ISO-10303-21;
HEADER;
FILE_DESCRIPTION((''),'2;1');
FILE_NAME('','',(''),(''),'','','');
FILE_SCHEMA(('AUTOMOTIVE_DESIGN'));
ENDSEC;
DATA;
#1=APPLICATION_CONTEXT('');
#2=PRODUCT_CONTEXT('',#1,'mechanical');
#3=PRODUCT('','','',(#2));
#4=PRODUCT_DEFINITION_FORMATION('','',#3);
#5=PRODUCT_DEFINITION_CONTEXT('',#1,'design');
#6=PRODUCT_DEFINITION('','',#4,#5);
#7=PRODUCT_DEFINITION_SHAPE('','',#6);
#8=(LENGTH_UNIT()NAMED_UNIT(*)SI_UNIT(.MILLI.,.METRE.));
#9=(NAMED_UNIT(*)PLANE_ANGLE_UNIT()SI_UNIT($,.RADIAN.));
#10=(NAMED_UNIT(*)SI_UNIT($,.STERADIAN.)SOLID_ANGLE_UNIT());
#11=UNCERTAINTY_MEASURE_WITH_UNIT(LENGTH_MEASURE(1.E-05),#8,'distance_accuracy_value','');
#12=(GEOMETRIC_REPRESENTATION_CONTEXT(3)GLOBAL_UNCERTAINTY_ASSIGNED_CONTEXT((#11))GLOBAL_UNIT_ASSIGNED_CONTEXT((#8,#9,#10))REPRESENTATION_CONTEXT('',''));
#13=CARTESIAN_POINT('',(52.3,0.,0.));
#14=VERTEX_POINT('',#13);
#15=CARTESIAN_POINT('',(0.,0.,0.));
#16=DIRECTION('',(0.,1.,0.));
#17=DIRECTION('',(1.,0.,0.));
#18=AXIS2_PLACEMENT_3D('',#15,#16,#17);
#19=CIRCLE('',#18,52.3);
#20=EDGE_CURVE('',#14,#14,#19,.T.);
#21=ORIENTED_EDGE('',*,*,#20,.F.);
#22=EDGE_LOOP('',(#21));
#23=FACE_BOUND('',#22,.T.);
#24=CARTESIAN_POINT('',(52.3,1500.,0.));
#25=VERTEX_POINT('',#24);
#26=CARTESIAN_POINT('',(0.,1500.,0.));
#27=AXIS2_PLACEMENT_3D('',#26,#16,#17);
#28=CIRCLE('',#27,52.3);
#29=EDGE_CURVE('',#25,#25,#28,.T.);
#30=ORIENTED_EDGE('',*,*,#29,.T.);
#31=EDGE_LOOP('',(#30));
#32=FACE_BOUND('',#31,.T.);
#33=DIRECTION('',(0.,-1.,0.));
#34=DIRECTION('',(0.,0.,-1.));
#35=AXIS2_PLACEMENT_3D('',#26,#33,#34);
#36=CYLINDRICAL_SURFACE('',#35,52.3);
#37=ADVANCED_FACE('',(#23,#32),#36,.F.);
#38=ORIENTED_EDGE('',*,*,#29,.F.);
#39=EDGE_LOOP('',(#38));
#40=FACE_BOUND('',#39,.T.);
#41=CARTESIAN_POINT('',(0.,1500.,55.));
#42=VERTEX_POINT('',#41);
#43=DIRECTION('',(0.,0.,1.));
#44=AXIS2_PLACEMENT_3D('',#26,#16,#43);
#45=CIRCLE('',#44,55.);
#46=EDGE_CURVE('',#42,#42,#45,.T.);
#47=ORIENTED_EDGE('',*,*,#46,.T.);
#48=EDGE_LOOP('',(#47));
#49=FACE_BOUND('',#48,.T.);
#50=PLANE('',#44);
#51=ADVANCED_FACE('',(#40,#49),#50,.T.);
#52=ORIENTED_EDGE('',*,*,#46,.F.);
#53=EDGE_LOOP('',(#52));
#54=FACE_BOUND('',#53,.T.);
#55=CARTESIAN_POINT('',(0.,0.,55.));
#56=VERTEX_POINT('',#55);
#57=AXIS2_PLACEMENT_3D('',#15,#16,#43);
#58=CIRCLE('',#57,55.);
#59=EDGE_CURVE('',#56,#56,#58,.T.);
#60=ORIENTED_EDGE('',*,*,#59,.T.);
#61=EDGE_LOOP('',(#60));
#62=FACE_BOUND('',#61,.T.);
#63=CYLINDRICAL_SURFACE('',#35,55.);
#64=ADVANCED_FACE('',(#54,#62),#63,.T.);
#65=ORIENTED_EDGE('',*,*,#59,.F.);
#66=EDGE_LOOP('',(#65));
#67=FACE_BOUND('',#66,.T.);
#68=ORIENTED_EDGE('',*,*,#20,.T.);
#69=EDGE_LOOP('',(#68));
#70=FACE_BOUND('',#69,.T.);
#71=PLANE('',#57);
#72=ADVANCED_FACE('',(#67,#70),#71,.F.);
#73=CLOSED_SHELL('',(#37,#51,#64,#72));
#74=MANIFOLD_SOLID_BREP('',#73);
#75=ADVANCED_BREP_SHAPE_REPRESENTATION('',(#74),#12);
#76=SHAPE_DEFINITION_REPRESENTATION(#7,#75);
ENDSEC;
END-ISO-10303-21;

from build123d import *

# Parameters (mm, degrees)
SKETCH_2_R      = 55
SKETCH_2_R_2    = 52.3
EXTRUDE_1_DEPTH = 1500


with BuildPart() as part:
    # Эскиз2 → Вытянуть-Тонкостенный1 (new body)
    with BuildSketch(Plane(origin=(0, 0, 0), x_dir=(1, 0, 0), z_dir=(0, 1, 0))):
        Circle(SKETCH_2_R)
        Circle(SKETCH_2_R_2, mode=Mode.SUBTRACT)
    extrude(amount=EXTRUDE_1_DEPTH)


solid = part.part
